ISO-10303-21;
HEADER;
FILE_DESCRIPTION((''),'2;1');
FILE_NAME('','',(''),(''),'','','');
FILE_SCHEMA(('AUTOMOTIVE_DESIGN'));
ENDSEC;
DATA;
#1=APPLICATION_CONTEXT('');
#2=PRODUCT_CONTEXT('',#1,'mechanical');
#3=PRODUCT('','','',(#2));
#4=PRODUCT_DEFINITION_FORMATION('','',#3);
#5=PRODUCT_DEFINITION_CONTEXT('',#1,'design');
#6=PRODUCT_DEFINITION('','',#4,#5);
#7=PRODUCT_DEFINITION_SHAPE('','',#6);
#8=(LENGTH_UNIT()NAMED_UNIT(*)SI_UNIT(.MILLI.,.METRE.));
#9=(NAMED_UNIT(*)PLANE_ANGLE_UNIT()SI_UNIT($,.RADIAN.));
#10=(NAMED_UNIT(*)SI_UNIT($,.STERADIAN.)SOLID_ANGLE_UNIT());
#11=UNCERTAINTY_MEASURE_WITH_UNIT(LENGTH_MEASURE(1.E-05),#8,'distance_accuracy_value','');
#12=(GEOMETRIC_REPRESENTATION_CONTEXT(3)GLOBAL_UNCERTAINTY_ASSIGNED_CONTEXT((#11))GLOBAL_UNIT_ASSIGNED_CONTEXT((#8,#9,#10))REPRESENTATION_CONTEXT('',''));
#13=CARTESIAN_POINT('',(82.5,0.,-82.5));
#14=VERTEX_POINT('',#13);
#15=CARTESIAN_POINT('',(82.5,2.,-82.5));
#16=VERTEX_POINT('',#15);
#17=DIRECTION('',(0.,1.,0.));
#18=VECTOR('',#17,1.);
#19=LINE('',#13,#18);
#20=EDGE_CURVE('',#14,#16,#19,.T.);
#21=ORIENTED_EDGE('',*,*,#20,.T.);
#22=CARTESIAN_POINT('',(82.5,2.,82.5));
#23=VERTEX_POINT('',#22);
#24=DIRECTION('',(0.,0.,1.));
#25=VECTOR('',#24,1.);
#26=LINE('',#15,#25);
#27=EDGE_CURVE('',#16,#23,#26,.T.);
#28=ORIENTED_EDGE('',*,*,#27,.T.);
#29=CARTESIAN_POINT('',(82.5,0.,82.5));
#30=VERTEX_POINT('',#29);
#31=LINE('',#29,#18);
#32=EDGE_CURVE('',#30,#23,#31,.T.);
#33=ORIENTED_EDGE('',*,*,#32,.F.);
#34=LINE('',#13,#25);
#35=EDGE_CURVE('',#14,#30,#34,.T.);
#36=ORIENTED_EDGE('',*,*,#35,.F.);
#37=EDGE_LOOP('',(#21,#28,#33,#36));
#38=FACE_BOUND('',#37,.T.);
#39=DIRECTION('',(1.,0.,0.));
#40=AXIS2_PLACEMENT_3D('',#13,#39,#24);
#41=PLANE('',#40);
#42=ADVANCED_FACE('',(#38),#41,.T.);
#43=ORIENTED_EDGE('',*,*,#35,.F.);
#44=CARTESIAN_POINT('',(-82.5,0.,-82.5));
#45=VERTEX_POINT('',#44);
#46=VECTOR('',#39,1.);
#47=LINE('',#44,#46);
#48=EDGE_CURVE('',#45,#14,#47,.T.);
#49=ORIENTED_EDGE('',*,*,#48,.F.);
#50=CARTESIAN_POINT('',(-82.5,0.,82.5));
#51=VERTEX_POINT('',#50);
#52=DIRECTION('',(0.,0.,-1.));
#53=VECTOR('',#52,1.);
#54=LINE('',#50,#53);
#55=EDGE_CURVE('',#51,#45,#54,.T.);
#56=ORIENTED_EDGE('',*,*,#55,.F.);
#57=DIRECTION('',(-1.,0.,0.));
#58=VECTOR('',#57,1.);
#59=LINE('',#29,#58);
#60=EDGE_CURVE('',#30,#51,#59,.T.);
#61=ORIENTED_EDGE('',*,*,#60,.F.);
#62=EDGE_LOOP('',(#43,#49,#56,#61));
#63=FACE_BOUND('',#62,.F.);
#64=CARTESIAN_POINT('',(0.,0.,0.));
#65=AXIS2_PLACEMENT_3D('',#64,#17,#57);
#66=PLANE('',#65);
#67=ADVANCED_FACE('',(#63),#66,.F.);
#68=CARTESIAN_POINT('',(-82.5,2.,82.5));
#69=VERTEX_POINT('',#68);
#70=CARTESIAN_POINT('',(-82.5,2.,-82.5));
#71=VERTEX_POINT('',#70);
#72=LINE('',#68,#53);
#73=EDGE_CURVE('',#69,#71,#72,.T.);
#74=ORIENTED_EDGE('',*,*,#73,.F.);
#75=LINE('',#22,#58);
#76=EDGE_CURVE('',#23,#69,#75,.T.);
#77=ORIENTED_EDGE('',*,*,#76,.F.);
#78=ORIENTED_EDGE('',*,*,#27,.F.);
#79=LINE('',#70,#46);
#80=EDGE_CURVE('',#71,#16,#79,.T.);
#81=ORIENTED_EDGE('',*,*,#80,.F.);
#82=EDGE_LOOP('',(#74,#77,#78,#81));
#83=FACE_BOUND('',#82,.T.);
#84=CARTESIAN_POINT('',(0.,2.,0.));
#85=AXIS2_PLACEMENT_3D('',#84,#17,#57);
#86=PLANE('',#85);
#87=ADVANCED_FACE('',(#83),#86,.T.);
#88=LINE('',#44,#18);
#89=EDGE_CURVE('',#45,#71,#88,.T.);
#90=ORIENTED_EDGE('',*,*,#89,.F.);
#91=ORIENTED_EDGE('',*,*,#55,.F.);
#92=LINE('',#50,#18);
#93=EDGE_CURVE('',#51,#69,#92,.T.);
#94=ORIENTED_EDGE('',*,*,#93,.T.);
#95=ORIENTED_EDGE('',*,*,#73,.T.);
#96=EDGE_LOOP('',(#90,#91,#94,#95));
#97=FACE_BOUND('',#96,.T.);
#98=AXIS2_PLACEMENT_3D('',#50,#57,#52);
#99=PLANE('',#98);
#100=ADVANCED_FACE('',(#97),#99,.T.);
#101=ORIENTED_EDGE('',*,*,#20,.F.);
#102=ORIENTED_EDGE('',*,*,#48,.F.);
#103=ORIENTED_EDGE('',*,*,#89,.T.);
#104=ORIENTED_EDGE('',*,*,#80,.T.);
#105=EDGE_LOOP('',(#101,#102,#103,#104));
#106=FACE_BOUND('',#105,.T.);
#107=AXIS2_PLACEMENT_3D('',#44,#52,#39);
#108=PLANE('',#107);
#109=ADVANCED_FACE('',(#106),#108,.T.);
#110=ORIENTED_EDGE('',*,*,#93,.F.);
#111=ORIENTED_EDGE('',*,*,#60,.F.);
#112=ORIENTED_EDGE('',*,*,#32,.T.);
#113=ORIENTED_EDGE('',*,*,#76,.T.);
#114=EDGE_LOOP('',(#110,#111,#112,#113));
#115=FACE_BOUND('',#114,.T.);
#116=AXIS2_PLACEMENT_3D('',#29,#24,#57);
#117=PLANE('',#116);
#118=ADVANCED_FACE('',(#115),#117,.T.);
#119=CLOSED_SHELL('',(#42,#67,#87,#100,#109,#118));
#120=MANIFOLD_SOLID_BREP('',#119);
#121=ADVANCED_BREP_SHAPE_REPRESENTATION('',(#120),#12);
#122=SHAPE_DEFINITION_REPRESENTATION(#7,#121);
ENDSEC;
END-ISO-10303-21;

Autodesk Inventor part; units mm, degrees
ref_plane "YZ Plane" through (0, 0, 0) normal (1, 0, 0) x (0, 1, 0)
ref_plane "XZ Plane" through (0, 0, 0) normal (0, 1, 0) x (-1, 0, 0)
ref_plane "XY Plane" through (0, 0, 0) normal (0, 0, 1) x (1, 0, 0)
sketch "Sketch1" plane through (0, 0, 0) normal (0, 1, 0) x (-1, 0, 0)
  line L0 (-82.5, 82.5) -> (82.5, 82.5)
  line L1 (82.5, 82.5) -> (82.5, -82.5)
  line L2 (82.5, -82.5) -> (-82.5, -82.5)
  line L3 (-82.5, -82.5) -> (-82.5, 82.5)
  line L4 (-82.5, 82.5) -> (82.5, -82.5) construction
  line L5 (82.5, 82.5) -> (-82.5, -82.5) construction
  point P0 (0, 0)
  dimension "d0" = 165
  dimension "d1" = 165
extrude "Extrusion1" add sketch "Sketch1" along normal blind 2
properties part number "solar"
